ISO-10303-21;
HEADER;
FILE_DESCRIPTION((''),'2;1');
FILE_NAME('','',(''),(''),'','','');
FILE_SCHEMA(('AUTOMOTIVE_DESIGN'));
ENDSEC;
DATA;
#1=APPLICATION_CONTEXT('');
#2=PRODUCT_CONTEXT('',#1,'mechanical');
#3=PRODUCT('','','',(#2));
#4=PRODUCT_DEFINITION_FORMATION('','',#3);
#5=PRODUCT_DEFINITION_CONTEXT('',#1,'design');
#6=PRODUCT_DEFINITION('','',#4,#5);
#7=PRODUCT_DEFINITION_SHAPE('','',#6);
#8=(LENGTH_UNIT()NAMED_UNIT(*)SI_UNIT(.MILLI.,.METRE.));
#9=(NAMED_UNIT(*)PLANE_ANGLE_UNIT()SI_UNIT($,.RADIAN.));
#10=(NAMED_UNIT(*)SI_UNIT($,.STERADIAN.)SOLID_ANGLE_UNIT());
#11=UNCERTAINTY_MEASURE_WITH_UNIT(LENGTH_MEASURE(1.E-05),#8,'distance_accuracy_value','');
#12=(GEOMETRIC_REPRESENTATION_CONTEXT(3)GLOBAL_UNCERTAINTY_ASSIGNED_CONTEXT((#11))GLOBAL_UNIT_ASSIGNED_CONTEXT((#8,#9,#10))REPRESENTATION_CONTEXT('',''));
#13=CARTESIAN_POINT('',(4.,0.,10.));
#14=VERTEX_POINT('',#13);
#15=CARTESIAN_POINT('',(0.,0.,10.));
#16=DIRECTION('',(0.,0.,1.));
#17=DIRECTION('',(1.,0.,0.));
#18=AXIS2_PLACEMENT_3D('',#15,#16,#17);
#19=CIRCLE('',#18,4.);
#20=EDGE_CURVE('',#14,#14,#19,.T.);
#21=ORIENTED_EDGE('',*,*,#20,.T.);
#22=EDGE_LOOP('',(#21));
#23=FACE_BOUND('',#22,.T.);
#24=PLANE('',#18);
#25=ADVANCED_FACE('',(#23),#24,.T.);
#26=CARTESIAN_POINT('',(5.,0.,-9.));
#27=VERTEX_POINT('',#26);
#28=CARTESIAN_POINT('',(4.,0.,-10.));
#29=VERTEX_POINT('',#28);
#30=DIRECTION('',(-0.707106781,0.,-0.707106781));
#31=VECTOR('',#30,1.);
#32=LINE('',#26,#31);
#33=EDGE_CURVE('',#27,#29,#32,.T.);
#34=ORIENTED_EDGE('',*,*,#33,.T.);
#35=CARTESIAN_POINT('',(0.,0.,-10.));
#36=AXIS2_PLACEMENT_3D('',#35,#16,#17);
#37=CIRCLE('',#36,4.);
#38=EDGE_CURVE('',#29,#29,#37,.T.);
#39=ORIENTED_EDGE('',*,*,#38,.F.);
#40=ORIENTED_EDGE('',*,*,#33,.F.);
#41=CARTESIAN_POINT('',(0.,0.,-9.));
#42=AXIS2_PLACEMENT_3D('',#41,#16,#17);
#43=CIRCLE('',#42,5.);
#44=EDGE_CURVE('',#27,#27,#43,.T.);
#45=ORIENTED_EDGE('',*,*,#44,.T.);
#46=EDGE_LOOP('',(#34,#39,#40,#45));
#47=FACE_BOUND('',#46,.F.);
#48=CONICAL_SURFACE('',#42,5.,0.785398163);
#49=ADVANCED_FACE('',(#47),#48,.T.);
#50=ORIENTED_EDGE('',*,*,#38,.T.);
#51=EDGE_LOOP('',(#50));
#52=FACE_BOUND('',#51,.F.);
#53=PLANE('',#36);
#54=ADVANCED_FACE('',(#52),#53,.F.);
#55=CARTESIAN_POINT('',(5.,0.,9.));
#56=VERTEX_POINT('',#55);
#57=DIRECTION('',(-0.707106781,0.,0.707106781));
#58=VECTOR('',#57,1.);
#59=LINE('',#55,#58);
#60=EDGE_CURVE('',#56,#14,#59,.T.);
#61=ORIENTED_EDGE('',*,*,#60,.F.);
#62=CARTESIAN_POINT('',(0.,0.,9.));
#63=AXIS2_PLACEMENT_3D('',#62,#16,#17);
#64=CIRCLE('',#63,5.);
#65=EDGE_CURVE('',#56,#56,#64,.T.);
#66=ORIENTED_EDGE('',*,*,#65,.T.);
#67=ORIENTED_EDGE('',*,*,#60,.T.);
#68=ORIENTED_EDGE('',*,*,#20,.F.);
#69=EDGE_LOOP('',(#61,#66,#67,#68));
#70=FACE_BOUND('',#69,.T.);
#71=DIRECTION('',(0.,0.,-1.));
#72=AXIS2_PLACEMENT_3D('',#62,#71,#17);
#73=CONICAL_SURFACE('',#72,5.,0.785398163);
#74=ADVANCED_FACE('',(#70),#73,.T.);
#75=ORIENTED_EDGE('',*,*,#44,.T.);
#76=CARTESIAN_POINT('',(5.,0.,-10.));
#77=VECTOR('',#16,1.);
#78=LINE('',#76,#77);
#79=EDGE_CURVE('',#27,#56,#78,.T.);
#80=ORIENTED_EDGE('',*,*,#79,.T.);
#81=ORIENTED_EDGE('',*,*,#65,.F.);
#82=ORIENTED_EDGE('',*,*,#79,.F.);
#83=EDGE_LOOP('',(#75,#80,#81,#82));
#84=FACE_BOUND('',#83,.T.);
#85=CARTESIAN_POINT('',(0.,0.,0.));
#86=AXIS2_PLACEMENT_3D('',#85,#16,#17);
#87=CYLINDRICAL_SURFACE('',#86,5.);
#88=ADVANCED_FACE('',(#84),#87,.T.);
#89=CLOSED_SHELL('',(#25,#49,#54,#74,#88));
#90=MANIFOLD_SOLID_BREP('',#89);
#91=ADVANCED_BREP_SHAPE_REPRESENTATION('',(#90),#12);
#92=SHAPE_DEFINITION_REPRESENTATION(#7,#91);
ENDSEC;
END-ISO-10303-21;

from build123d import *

# Parameters (mm, degrees)
F0_R     = 5
F1_DEPTH = 10
F2_SIZE  = 1


with BuildPart() as f1:
    # F0 (on Top) → F1 (new body, symmetric)
    with BuildSketch(Plane.XY):
        Circle(F0_R)
    extrude(amount=F1_DEPTH, both=True)

    # F2
    f2_edges = [f1.edges().sort_by_distance(p)[0] for p in [
        (-5, 0, 10),
        (-5, 0, -10),
    ]]
    chamfer(f2_edges, length=F2_SIZE)


solid = f1.part
